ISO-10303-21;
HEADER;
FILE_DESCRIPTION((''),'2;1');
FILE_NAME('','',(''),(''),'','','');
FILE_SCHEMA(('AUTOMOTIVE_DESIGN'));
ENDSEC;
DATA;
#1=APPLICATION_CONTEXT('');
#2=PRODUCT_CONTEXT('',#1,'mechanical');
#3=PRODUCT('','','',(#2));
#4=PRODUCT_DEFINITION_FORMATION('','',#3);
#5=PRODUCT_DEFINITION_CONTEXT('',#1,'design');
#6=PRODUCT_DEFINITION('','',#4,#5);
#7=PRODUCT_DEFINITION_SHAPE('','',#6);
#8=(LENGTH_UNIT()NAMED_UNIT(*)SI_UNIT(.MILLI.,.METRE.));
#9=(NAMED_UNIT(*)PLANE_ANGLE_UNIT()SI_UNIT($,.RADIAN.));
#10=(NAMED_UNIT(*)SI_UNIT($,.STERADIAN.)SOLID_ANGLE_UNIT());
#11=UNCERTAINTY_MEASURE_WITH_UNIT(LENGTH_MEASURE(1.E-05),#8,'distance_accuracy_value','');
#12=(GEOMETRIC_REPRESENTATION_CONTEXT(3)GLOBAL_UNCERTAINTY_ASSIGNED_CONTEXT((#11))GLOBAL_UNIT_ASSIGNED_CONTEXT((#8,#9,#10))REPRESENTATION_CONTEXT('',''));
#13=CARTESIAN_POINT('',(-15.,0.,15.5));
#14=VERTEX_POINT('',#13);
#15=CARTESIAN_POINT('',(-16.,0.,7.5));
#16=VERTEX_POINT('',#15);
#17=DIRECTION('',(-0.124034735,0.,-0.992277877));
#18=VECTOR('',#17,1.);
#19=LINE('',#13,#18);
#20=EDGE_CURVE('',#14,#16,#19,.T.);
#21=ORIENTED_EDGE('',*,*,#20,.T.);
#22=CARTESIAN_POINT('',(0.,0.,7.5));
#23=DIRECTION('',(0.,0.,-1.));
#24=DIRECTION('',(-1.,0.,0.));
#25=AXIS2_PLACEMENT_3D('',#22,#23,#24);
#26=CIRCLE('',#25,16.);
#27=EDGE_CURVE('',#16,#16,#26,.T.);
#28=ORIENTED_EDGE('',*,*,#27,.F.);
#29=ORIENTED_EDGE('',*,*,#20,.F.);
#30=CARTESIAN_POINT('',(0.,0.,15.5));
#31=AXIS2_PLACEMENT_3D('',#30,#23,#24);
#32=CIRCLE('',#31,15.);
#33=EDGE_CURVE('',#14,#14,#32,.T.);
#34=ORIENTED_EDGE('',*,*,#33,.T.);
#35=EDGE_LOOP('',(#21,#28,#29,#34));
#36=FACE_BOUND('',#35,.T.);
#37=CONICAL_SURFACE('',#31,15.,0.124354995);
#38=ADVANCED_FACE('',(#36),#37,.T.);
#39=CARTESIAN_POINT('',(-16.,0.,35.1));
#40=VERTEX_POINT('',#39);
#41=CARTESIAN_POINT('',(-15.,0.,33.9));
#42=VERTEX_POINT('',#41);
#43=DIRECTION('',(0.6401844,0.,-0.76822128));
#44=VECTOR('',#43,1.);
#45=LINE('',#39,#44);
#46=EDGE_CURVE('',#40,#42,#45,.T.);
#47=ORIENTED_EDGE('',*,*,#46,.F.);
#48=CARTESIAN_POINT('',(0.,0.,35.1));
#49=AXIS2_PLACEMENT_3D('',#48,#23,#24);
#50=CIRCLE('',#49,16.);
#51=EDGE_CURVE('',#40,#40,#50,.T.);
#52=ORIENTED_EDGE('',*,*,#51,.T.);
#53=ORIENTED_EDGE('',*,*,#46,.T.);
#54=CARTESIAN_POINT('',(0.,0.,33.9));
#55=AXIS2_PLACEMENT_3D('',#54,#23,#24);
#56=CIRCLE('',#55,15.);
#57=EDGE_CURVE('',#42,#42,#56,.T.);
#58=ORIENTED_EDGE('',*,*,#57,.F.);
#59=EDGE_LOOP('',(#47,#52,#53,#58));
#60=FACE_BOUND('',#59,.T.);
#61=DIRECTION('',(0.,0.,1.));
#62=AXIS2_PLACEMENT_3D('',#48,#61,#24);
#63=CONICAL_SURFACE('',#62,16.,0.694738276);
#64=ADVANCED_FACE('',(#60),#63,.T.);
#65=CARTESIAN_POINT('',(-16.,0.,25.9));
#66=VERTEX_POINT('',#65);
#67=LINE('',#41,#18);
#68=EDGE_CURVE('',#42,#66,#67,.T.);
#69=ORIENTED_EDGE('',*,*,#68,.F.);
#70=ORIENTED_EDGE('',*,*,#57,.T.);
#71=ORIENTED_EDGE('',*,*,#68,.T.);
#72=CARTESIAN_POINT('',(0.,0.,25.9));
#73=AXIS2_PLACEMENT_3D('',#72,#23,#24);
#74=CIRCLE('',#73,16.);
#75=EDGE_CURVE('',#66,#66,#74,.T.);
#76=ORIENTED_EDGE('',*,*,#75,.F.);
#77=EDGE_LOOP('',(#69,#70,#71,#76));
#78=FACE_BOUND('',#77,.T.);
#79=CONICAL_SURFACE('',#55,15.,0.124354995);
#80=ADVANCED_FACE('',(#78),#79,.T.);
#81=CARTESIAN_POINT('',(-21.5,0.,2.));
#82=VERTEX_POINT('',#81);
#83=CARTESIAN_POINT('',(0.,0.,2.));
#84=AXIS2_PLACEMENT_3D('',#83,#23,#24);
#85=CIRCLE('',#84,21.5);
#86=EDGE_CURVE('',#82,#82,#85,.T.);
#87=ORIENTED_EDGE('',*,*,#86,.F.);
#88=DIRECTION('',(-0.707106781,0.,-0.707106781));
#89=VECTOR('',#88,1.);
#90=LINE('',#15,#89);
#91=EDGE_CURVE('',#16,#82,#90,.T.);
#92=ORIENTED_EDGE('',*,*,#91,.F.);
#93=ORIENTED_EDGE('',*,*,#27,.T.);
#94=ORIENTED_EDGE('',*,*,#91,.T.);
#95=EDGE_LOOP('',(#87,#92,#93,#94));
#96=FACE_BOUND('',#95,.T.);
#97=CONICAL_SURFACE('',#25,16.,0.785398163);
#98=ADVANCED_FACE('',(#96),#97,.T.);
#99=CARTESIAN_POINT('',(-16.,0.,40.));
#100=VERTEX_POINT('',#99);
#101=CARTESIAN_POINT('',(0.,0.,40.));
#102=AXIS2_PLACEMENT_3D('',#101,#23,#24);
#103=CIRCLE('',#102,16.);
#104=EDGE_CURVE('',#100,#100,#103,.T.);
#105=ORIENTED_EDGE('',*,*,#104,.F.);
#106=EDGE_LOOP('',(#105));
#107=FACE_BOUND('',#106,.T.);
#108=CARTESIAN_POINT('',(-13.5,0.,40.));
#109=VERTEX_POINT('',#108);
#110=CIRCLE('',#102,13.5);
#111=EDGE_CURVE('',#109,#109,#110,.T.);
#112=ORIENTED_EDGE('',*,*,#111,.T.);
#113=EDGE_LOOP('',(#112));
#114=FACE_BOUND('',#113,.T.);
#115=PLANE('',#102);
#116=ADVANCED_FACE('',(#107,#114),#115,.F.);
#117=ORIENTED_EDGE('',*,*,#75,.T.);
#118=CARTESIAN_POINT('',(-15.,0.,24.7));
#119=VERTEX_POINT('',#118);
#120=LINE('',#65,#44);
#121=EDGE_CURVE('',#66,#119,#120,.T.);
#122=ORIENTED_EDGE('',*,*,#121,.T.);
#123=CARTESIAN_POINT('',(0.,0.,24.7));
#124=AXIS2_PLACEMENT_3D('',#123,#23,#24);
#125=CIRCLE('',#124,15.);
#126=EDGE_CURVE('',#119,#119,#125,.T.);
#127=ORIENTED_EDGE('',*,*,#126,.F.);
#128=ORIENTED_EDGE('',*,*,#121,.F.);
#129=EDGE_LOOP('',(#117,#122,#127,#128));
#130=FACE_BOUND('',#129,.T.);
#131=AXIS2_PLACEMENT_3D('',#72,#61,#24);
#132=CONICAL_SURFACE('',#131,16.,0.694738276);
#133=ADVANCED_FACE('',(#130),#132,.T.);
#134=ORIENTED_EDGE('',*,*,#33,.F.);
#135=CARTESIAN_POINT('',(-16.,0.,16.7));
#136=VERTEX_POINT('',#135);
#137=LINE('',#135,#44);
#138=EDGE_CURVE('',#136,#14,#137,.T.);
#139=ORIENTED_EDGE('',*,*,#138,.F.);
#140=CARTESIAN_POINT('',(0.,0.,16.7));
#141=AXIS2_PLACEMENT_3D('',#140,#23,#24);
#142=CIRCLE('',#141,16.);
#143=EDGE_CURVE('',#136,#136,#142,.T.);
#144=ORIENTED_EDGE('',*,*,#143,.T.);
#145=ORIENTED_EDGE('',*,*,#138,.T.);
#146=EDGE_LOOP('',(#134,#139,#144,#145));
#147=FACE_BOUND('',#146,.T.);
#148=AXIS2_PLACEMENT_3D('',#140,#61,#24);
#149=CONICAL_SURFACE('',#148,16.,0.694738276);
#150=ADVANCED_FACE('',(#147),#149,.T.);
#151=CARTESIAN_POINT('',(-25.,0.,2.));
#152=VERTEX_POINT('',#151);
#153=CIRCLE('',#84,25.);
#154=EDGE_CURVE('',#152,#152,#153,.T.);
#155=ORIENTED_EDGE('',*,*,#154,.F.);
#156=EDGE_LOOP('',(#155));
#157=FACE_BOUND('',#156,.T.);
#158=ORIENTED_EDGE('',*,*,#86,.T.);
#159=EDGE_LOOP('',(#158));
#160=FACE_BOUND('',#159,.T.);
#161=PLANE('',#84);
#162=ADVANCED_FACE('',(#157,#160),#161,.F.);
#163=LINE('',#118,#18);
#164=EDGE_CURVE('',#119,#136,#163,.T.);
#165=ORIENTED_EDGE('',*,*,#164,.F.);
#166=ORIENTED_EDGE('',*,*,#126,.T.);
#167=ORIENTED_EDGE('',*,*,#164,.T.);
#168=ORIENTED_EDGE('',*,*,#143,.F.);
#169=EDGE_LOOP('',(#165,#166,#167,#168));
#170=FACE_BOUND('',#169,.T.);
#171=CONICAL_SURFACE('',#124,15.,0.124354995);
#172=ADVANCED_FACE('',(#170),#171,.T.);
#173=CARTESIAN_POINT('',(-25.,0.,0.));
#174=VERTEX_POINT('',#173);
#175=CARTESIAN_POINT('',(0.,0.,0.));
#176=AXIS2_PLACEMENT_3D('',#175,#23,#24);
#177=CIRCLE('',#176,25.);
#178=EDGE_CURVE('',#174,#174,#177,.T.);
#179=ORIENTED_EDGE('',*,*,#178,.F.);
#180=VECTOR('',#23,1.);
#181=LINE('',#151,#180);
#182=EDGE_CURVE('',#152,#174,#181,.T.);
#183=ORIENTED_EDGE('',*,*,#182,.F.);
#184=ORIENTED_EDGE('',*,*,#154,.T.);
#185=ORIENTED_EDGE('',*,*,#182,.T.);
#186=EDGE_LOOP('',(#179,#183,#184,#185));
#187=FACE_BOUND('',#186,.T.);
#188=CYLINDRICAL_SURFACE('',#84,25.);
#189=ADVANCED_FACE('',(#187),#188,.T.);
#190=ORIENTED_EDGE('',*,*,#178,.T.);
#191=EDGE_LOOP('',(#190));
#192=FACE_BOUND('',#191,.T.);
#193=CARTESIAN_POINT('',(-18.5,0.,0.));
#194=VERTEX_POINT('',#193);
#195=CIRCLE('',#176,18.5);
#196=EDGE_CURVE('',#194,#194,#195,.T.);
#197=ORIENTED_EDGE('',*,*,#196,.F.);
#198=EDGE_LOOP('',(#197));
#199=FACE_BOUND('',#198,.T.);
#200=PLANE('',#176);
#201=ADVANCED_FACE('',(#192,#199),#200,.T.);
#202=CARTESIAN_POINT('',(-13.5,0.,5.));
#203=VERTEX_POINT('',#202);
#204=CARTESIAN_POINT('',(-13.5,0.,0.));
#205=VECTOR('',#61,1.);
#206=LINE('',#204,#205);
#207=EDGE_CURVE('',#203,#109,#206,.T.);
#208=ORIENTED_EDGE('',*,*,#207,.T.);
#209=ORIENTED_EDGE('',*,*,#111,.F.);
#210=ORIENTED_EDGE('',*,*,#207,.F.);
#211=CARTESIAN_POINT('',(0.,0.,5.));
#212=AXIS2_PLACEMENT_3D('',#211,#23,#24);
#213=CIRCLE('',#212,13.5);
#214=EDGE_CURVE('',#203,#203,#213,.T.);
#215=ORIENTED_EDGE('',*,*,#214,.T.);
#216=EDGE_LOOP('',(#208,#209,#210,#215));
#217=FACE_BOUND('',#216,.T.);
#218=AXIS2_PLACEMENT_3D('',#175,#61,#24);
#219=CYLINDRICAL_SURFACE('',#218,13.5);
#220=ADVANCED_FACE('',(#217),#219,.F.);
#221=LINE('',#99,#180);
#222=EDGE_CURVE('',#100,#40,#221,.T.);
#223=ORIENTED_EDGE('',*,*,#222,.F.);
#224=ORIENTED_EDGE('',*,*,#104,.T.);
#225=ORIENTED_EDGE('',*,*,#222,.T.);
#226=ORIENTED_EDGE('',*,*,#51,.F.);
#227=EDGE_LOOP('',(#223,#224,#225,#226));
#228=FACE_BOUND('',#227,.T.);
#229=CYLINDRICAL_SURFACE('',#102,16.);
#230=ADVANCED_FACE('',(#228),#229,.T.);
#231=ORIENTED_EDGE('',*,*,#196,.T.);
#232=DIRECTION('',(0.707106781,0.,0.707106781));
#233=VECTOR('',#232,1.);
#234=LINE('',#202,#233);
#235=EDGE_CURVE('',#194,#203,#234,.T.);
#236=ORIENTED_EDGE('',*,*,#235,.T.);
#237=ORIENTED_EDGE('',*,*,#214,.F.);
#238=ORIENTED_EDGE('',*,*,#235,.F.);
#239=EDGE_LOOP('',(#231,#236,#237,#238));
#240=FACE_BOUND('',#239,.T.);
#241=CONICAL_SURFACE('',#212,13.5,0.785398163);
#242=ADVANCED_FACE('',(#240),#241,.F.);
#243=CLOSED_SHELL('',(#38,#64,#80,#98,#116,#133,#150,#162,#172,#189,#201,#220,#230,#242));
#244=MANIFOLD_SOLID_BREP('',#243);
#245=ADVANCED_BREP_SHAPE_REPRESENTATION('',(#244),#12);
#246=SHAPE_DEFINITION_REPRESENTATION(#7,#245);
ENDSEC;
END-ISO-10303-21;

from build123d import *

# Parameters (mm, degrees)
F2_SIZE = 5


with BuildPart() as f1:
    # F0 (on Front) → F1 (revolve)
    with BuildSketch(Plane.XZ):
        Polygon((-25, 0), (-13.5, 0), (-13.5, 40), (-16, 40), (-16, 35.1), (-15, 33.9), (-16, 25.9), (-15, 24.7), (-16, 16.7), (-15, 15.5), (-16, 7.5), (-21.5, 2), (-25, 2), align=None)
    revolve(axis=Axis((0, 0, -0.481866), (0, 0, -1)))

    # F2
    f2_edges = [f1.edges().sort_by_distance(p)[0] for p in [
        (13.5, 0, 0),
    ]]
    chamfer(f2_edges, length=F2_SIZE)


solid = f1.part
